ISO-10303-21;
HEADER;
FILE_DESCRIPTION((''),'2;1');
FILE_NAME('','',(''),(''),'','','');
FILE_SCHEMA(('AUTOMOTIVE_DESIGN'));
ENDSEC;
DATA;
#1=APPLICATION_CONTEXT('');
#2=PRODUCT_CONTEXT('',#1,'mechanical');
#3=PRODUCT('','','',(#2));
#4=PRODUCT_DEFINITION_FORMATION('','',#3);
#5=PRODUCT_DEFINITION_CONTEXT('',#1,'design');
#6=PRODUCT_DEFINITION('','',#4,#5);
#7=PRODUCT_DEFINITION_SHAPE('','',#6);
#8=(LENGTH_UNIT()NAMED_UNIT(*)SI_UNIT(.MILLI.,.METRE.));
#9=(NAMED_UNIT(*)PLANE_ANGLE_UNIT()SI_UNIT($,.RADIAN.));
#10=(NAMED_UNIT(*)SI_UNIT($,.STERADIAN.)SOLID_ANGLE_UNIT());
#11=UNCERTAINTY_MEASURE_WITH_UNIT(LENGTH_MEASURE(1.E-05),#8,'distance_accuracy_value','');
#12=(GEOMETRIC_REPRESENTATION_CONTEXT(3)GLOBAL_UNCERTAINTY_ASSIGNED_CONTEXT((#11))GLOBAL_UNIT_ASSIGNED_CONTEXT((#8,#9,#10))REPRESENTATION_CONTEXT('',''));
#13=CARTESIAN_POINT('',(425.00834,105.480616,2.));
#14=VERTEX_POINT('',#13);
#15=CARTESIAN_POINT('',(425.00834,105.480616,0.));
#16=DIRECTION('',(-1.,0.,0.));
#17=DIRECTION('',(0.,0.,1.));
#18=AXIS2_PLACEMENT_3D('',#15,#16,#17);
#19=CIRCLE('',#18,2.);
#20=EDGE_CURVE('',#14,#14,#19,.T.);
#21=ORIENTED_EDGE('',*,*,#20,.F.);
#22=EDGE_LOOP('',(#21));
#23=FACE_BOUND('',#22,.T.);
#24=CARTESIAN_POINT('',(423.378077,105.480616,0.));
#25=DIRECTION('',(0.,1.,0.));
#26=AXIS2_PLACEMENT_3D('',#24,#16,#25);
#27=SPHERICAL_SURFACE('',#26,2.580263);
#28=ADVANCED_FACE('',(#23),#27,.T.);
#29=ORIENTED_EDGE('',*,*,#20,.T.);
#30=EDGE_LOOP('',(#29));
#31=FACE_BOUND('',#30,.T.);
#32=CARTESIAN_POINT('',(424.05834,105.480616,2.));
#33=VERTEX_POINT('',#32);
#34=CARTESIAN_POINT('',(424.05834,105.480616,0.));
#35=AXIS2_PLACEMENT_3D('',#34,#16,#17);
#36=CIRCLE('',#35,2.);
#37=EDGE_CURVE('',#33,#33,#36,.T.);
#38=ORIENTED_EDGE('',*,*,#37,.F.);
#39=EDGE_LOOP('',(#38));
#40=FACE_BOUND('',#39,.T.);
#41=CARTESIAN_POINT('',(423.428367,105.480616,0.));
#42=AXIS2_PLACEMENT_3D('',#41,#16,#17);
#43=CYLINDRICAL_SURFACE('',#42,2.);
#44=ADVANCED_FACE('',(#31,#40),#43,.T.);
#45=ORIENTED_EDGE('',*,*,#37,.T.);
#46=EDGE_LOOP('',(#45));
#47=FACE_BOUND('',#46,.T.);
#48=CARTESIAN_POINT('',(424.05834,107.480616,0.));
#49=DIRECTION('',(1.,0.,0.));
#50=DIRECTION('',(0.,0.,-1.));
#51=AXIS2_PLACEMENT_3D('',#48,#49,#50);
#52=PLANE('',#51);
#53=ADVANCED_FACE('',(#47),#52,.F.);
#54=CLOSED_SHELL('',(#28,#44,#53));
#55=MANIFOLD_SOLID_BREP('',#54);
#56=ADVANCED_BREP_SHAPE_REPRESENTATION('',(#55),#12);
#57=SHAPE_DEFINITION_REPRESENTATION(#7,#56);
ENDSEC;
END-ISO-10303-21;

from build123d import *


with BuildPart() as part:
    # 草图1 → 旋转3 (revolve)
    with BuildSketch(Plane.XY, mode=Mode.PRIVATE) as revolve_3_sk:
        with BuildLine():
            Line((424.058339702, 105.48061611), (425.958339719, 105.48061611))
            ThreePointArc((425.958339719, 105.48061611), (425.708770222, 106.587695605), (425.008339702, 107.48061611))
            Line((425.008339702, 107.48061611), (424.058339702, 107.48061611))
            Line((424.058339702, 107.48061611), (424.058339702, 105.48061611))
        make_face()
    revolve(revolve_3_sk.sketch.rotate(Axis((423.428367263, 105.48061611, 0), (1, 0, 0)), 90), axis=Axis((423.428367263, 105.48061611, 0), (1, 0, 0)))  # turned: the seam where the file's is


solid = part.part
